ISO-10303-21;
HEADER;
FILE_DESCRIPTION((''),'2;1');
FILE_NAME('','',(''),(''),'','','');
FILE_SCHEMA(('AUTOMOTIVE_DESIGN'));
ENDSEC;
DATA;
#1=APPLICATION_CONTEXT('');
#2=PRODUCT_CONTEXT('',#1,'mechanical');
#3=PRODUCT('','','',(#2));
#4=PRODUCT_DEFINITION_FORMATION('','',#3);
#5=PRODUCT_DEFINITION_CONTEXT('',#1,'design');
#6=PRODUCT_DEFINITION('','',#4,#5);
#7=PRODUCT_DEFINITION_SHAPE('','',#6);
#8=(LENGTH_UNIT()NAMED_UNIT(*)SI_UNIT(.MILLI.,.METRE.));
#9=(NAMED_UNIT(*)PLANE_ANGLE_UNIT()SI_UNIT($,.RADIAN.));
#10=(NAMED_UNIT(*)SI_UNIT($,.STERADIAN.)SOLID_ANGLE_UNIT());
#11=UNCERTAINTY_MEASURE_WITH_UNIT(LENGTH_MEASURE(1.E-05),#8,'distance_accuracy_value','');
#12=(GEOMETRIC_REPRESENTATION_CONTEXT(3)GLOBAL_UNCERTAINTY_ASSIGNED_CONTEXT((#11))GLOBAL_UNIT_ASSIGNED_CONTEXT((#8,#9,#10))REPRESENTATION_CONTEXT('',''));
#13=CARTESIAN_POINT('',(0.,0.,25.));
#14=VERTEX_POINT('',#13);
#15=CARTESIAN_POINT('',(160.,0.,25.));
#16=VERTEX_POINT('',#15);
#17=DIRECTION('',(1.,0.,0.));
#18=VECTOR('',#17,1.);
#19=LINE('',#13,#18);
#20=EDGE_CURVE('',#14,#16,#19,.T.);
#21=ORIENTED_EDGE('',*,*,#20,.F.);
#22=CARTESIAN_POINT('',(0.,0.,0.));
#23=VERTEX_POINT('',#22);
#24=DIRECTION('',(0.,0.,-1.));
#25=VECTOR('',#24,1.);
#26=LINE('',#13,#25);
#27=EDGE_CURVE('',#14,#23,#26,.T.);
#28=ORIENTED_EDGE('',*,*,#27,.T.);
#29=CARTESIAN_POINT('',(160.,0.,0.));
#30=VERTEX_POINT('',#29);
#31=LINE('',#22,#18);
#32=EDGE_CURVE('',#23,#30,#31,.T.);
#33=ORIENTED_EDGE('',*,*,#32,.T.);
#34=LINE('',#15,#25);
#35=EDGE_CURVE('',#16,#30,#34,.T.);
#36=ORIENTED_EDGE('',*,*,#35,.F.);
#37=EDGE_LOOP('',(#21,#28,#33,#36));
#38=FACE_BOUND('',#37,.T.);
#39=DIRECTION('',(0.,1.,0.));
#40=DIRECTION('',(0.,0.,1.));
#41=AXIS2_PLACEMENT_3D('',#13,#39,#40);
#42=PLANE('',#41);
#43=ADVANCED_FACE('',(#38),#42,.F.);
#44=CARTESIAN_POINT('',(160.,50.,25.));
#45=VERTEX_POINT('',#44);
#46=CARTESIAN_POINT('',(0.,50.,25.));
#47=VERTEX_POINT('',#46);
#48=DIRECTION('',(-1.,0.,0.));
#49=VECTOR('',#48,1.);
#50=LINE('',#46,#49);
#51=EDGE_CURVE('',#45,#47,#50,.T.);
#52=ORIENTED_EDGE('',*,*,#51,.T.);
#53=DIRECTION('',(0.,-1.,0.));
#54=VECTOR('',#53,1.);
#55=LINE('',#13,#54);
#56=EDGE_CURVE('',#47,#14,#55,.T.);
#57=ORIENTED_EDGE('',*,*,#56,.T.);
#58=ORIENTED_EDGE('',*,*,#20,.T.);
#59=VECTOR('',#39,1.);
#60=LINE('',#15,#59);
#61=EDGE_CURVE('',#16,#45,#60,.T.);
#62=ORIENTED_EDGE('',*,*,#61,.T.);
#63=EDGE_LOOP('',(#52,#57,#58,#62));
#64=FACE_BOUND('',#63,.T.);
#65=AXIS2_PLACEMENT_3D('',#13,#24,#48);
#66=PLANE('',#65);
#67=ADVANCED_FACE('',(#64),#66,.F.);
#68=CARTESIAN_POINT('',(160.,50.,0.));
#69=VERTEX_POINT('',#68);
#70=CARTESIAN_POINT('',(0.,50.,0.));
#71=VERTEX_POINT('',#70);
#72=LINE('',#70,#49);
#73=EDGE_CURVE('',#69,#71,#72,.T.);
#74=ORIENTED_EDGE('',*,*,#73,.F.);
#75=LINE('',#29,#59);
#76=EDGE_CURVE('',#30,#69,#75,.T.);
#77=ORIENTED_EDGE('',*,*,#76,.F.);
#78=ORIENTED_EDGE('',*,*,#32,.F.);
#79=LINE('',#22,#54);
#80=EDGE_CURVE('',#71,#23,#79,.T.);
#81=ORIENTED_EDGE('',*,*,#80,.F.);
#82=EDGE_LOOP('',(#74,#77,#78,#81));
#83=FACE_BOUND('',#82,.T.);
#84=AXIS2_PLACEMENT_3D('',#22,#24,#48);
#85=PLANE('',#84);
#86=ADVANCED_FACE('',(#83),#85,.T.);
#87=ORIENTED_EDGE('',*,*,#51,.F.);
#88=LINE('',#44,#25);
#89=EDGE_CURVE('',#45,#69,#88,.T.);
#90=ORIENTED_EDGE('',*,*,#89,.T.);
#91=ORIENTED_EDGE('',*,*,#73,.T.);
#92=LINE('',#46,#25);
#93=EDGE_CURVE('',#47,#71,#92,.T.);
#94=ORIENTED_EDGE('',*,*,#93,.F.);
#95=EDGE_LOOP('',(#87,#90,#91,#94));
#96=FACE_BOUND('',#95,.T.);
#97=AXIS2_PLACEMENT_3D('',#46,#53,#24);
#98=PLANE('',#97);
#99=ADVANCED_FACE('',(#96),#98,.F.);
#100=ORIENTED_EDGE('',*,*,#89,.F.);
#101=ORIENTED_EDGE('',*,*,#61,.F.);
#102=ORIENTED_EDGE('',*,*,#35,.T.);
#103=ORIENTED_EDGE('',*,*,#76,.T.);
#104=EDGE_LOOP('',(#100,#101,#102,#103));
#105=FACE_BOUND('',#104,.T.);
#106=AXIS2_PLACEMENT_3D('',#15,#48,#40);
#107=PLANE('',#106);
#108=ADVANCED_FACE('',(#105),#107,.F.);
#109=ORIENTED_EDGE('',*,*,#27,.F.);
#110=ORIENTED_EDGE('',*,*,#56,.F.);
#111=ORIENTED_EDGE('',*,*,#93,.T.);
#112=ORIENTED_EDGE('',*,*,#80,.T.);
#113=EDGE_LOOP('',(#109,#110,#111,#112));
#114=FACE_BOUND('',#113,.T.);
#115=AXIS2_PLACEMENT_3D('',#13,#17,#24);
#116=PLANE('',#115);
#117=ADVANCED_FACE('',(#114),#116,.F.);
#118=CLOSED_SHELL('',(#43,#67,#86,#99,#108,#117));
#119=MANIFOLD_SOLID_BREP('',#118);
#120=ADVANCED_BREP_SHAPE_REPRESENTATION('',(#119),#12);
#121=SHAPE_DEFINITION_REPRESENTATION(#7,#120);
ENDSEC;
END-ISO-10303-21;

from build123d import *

# Parameters (mm, degrees)
ESQUISSE1_W        = 160
ESQUISSE1_H        = 50
BOSS_EXTRU_1_DEPTH = 25


with BuildPart() as part:
    # Esquisse1 → Boss.-Extru.1 (new body)
    with BuildSketch(Plane.XY):
        with Locations((80, 25)):
            Rectangle(ESQUISSE1_W, ESQUISSE1_H)
    extrude(amount=BOSS_EXTRU_1_DEPTH)


solid = part.part
